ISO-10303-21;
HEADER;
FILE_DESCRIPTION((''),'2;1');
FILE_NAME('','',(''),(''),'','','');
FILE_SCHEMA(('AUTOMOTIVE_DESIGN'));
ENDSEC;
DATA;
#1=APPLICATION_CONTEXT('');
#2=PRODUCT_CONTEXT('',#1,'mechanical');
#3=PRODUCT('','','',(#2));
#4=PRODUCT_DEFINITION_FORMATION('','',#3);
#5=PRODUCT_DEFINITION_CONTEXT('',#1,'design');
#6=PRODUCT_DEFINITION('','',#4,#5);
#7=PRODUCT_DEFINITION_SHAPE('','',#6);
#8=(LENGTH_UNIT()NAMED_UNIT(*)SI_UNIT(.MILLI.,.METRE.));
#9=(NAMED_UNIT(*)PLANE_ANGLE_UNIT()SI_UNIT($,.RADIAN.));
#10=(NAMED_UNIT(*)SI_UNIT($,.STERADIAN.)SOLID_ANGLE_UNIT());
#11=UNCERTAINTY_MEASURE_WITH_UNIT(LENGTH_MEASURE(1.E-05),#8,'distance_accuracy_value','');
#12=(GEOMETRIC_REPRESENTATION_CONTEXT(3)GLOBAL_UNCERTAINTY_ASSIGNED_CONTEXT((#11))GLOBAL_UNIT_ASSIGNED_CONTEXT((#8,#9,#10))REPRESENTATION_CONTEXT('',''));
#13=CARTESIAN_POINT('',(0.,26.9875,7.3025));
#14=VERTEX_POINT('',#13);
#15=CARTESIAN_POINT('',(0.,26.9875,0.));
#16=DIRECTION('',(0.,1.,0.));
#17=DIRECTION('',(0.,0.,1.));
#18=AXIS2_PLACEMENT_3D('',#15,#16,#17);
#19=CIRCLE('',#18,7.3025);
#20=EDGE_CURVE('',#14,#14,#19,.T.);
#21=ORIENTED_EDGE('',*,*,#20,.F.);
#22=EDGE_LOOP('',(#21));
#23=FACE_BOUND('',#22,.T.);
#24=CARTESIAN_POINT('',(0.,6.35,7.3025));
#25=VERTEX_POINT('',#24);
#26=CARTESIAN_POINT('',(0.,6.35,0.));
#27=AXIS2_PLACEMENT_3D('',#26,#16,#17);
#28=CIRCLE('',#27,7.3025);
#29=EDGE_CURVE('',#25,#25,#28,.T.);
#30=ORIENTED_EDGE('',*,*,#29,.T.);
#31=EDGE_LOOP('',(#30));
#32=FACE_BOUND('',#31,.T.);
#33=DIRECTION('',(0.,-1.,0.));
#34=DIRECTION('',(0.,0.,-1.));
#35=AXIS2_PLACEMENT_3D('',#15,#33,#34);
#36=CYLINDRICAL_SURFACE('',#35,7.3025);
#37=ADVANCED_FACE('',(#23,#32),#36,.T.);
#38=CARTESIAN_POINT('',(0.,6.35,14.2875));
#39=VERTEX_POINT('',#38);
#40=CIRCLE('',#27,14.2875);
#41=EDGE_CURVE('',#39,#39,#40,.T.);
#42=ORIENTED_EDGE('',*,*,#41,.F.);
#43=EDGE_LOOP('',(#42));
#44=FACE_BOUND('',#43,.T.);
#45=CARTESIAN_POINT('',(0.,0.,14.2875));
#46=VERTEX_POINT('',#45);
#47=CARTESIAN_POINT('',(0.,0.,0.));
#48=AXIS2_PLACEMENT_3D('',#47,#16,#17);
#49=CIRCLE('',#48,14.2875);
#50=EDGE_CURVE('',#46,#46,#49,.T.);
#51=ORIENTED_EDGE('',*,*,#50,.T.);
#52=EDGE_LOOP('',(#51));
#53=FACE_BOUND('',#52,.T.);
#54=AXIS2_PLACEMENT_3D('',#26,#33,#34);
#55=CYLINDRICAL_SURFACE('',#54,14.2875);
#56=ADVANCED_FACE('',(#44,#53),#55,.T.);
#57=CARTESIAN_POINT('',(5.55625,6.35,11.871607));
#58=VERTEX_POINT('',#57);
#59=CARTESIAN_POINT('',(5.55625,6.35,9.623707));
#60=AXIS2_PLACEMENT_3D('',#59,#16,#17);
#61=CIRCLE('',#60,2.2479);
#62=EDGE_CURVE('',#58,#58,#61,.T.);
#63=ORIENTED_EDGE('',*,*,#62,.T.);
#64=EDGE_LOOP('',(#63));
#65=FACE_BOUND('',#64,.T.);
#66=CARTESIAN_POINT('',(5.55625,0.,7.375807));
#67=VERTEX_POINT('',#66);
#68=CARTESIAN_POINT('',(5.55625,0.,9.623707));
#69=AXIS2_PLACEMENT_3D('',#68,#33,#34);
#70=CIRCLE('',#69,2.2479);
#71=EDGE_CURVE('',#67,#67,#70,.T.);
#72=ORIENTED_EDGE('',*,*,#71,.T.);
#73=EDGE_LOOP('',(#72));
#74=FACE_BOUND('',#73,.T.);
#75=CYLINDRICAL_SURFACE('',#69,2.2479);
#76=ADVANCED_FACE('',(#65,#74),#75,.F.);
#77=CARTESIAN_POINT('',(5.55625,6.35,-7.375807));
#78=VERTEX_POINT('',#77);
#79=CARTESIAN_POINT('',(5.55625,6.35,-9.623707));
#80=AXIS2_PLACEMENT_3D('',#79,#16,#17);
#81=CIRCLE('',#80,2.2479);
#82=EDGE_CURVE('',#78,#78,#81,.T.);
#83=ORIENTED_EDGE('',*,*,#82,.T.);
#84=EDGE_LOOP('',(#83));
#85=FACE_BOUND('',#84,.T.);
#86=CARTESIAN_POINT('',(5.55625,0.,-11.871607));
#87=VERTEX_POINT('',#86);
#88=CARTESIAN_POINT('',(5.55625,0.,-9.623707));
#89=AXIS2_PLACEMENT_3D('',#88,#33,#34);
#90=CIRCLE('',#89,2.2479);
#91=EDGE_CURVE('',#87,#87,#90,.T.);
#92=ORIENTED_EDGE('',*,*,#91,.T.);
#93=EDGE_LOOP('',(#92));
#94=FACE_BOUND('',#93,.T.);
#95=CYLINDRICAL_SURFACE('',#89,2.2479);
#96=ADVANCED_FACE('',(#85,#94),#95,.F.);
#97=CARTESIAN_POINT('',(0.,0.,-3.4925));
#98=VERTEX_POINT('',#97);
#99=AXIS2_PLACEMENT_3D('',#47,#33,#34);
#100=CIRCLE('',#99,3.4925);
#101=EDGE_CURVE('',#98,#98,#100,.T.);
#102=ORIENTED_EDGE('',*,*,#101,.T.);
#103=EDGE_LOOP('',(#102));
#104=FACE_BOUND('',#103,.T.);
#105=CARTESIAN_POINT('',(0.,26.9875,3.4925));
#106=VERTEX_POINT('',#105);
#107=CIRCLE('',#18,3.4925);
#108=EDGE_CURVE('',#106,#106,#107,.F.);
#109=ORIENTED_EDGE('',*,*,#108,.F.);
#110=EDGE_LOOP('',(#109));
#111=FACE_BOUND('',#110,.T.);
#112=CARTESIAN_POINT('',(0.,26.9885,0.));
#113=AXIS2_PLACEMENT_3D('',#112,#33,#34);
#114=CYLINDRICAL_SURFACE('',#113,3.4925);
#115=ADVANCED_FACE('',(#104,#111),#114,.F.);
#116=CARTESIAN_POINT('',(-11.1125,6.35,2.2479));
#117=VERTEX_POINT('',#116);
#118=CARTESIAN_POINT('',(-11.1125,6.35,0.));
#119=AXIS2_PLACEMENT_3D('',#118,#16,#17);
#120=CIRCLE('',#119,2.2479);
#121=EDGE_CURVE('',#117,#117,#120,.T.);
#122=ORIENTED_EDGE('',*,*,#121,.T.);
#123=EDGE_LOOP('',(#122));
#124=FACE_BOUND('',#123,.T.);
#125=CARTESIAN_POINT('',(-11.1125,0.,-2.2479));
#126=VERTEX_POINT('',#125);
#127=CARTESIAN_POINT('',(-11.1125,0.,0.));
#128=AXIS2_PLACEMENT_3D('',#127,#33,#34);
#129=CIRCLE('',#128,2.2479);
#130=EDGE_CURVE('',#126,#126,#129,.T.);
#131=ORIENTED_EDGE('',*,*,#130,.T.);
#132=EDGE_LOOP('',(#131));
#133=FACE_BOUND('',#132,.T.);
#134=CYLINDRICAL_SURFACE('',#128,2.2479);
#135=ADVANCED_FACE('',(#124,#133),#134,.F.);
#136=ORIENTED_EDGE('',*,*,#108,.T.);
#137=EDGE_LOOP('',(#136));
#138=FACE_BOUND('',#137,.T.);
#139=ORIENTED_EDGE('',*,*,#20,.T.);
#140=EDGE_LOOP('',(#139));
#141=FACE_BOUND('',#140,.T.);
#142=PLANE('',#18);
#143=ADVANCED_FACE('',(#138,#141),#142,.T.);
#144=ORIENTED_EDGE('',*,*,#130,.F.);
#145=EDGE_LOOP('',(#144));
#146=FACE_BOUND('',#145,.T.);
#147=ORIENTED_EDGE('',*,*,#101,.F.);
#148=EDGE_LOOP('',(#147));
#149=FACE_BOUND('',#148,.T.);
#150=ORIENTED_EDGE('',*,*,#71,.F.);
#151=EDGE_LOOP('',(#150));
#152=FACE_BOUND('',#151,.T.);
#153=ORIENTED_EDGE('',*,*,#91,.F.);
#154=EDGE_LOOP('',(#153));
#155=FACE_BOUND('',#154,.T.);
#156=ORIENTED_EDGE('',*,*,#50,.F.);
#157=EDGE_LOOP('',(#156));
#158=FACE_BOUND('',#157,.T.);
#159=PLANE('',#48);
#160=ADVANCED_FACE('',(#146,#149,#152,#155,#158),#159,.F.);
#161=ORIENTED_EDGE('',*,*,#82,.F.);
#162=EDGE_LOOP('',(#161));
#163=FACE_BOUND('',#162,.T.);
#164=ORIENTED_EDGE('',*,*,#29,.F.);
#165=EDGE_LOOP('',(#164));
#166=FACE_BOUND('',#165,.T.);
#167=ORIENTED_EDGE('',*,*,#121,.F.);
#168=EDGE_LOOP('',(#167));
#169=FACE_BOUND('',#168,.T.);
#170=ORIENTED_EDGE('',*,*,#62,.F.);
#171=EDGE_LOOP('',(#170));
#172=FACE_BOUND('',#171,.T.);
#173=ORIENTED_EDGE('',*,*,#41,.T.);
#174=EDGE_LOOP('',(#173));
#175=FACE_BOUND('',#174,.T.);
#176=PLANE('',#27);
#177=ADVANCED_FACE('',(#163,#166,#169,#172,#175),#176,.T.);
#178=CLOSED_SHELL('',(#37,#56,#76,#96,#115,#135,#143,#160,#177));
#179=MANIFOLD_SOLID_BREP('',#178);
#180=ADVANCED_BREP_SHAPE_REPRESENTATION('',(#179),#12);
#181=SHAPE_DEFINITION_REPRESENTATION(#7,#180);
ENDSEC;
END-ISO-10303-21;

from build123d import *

# Parameters (mm, degrees)
SKETCH1_R             = 14.2875
BOSS_EXTRUDE1_DEPTH   = 6.35
SKETCH2_R             = 7.3025
BOSS_EXTRUDE2_DEPTH   = 20.6375
CUT_EXTRUDE1_REACH    = 35.713
SKETCH3_R             = 3.4925
F_8_CLEARANCE_HOLE1_D = 4.4958


with BuildPart() as part:
    # Sketch1 → Boss-Extrude1 (new body)
    with BuildSketch(Plane(origin=(0, 0, 0), x_dir=(1, 0, 0), z_dir=(0, 1, 0))):
        with Locations(Location((0, 0, 0), (0, 0, 270))):
            Circle(SKETCH1_R)
    extrude(amount=BOSS_EXTRUDE1_DEPTH)

    # Sketch2 → Boss-Extrude2 (add)
    with BuildSketch(Plane(origin=(0, 6.35, 0), x_dir=(1, 0, 0), z_dir=(0, 1, 0))):
        with Locations(Location((0, 0, 0), (0, 0, 270))):
            Circle(SKETCH2_R)
    extrude(amount=BOSS_EXTRUDE2_DEPTH)

    # Sketch3 → Cut-Extrude1 (cut, up to next)
    with BuildSketch(Plane.XZ, mode=Mode.PRIVATE) as cut_extrude1_sk1:
        with Locations(Location((0, 0, 0), (0, 0, 270))):
            Circle(SKETCH3_R)
    cut_extrude1_tool1 = extrude(cut_extrude1_sk1.sketch, amount=-CUT_EXTRUDE1_REACH, mode=Mode.PRIVATE) & part.part
    add(cut_extrude1_tool1.solids().sort_by_distance((0, 0, 0))[0], mode=Mode.SUBTRACT)

    # #8 Clearance Hole1 (through all)
    with Locations(Plane(origin=(0, 0, 0), x_dir=(-1, 0, 0), z_dir=(0, -1, 0))):
        with Locations((-5.55625, 9.6237073), (11.1125, 0), (-5.55625, -9.6237073)):
            Hole(F_8_CLEARANCE_HOLE1_D / 2)


solid = part.part
